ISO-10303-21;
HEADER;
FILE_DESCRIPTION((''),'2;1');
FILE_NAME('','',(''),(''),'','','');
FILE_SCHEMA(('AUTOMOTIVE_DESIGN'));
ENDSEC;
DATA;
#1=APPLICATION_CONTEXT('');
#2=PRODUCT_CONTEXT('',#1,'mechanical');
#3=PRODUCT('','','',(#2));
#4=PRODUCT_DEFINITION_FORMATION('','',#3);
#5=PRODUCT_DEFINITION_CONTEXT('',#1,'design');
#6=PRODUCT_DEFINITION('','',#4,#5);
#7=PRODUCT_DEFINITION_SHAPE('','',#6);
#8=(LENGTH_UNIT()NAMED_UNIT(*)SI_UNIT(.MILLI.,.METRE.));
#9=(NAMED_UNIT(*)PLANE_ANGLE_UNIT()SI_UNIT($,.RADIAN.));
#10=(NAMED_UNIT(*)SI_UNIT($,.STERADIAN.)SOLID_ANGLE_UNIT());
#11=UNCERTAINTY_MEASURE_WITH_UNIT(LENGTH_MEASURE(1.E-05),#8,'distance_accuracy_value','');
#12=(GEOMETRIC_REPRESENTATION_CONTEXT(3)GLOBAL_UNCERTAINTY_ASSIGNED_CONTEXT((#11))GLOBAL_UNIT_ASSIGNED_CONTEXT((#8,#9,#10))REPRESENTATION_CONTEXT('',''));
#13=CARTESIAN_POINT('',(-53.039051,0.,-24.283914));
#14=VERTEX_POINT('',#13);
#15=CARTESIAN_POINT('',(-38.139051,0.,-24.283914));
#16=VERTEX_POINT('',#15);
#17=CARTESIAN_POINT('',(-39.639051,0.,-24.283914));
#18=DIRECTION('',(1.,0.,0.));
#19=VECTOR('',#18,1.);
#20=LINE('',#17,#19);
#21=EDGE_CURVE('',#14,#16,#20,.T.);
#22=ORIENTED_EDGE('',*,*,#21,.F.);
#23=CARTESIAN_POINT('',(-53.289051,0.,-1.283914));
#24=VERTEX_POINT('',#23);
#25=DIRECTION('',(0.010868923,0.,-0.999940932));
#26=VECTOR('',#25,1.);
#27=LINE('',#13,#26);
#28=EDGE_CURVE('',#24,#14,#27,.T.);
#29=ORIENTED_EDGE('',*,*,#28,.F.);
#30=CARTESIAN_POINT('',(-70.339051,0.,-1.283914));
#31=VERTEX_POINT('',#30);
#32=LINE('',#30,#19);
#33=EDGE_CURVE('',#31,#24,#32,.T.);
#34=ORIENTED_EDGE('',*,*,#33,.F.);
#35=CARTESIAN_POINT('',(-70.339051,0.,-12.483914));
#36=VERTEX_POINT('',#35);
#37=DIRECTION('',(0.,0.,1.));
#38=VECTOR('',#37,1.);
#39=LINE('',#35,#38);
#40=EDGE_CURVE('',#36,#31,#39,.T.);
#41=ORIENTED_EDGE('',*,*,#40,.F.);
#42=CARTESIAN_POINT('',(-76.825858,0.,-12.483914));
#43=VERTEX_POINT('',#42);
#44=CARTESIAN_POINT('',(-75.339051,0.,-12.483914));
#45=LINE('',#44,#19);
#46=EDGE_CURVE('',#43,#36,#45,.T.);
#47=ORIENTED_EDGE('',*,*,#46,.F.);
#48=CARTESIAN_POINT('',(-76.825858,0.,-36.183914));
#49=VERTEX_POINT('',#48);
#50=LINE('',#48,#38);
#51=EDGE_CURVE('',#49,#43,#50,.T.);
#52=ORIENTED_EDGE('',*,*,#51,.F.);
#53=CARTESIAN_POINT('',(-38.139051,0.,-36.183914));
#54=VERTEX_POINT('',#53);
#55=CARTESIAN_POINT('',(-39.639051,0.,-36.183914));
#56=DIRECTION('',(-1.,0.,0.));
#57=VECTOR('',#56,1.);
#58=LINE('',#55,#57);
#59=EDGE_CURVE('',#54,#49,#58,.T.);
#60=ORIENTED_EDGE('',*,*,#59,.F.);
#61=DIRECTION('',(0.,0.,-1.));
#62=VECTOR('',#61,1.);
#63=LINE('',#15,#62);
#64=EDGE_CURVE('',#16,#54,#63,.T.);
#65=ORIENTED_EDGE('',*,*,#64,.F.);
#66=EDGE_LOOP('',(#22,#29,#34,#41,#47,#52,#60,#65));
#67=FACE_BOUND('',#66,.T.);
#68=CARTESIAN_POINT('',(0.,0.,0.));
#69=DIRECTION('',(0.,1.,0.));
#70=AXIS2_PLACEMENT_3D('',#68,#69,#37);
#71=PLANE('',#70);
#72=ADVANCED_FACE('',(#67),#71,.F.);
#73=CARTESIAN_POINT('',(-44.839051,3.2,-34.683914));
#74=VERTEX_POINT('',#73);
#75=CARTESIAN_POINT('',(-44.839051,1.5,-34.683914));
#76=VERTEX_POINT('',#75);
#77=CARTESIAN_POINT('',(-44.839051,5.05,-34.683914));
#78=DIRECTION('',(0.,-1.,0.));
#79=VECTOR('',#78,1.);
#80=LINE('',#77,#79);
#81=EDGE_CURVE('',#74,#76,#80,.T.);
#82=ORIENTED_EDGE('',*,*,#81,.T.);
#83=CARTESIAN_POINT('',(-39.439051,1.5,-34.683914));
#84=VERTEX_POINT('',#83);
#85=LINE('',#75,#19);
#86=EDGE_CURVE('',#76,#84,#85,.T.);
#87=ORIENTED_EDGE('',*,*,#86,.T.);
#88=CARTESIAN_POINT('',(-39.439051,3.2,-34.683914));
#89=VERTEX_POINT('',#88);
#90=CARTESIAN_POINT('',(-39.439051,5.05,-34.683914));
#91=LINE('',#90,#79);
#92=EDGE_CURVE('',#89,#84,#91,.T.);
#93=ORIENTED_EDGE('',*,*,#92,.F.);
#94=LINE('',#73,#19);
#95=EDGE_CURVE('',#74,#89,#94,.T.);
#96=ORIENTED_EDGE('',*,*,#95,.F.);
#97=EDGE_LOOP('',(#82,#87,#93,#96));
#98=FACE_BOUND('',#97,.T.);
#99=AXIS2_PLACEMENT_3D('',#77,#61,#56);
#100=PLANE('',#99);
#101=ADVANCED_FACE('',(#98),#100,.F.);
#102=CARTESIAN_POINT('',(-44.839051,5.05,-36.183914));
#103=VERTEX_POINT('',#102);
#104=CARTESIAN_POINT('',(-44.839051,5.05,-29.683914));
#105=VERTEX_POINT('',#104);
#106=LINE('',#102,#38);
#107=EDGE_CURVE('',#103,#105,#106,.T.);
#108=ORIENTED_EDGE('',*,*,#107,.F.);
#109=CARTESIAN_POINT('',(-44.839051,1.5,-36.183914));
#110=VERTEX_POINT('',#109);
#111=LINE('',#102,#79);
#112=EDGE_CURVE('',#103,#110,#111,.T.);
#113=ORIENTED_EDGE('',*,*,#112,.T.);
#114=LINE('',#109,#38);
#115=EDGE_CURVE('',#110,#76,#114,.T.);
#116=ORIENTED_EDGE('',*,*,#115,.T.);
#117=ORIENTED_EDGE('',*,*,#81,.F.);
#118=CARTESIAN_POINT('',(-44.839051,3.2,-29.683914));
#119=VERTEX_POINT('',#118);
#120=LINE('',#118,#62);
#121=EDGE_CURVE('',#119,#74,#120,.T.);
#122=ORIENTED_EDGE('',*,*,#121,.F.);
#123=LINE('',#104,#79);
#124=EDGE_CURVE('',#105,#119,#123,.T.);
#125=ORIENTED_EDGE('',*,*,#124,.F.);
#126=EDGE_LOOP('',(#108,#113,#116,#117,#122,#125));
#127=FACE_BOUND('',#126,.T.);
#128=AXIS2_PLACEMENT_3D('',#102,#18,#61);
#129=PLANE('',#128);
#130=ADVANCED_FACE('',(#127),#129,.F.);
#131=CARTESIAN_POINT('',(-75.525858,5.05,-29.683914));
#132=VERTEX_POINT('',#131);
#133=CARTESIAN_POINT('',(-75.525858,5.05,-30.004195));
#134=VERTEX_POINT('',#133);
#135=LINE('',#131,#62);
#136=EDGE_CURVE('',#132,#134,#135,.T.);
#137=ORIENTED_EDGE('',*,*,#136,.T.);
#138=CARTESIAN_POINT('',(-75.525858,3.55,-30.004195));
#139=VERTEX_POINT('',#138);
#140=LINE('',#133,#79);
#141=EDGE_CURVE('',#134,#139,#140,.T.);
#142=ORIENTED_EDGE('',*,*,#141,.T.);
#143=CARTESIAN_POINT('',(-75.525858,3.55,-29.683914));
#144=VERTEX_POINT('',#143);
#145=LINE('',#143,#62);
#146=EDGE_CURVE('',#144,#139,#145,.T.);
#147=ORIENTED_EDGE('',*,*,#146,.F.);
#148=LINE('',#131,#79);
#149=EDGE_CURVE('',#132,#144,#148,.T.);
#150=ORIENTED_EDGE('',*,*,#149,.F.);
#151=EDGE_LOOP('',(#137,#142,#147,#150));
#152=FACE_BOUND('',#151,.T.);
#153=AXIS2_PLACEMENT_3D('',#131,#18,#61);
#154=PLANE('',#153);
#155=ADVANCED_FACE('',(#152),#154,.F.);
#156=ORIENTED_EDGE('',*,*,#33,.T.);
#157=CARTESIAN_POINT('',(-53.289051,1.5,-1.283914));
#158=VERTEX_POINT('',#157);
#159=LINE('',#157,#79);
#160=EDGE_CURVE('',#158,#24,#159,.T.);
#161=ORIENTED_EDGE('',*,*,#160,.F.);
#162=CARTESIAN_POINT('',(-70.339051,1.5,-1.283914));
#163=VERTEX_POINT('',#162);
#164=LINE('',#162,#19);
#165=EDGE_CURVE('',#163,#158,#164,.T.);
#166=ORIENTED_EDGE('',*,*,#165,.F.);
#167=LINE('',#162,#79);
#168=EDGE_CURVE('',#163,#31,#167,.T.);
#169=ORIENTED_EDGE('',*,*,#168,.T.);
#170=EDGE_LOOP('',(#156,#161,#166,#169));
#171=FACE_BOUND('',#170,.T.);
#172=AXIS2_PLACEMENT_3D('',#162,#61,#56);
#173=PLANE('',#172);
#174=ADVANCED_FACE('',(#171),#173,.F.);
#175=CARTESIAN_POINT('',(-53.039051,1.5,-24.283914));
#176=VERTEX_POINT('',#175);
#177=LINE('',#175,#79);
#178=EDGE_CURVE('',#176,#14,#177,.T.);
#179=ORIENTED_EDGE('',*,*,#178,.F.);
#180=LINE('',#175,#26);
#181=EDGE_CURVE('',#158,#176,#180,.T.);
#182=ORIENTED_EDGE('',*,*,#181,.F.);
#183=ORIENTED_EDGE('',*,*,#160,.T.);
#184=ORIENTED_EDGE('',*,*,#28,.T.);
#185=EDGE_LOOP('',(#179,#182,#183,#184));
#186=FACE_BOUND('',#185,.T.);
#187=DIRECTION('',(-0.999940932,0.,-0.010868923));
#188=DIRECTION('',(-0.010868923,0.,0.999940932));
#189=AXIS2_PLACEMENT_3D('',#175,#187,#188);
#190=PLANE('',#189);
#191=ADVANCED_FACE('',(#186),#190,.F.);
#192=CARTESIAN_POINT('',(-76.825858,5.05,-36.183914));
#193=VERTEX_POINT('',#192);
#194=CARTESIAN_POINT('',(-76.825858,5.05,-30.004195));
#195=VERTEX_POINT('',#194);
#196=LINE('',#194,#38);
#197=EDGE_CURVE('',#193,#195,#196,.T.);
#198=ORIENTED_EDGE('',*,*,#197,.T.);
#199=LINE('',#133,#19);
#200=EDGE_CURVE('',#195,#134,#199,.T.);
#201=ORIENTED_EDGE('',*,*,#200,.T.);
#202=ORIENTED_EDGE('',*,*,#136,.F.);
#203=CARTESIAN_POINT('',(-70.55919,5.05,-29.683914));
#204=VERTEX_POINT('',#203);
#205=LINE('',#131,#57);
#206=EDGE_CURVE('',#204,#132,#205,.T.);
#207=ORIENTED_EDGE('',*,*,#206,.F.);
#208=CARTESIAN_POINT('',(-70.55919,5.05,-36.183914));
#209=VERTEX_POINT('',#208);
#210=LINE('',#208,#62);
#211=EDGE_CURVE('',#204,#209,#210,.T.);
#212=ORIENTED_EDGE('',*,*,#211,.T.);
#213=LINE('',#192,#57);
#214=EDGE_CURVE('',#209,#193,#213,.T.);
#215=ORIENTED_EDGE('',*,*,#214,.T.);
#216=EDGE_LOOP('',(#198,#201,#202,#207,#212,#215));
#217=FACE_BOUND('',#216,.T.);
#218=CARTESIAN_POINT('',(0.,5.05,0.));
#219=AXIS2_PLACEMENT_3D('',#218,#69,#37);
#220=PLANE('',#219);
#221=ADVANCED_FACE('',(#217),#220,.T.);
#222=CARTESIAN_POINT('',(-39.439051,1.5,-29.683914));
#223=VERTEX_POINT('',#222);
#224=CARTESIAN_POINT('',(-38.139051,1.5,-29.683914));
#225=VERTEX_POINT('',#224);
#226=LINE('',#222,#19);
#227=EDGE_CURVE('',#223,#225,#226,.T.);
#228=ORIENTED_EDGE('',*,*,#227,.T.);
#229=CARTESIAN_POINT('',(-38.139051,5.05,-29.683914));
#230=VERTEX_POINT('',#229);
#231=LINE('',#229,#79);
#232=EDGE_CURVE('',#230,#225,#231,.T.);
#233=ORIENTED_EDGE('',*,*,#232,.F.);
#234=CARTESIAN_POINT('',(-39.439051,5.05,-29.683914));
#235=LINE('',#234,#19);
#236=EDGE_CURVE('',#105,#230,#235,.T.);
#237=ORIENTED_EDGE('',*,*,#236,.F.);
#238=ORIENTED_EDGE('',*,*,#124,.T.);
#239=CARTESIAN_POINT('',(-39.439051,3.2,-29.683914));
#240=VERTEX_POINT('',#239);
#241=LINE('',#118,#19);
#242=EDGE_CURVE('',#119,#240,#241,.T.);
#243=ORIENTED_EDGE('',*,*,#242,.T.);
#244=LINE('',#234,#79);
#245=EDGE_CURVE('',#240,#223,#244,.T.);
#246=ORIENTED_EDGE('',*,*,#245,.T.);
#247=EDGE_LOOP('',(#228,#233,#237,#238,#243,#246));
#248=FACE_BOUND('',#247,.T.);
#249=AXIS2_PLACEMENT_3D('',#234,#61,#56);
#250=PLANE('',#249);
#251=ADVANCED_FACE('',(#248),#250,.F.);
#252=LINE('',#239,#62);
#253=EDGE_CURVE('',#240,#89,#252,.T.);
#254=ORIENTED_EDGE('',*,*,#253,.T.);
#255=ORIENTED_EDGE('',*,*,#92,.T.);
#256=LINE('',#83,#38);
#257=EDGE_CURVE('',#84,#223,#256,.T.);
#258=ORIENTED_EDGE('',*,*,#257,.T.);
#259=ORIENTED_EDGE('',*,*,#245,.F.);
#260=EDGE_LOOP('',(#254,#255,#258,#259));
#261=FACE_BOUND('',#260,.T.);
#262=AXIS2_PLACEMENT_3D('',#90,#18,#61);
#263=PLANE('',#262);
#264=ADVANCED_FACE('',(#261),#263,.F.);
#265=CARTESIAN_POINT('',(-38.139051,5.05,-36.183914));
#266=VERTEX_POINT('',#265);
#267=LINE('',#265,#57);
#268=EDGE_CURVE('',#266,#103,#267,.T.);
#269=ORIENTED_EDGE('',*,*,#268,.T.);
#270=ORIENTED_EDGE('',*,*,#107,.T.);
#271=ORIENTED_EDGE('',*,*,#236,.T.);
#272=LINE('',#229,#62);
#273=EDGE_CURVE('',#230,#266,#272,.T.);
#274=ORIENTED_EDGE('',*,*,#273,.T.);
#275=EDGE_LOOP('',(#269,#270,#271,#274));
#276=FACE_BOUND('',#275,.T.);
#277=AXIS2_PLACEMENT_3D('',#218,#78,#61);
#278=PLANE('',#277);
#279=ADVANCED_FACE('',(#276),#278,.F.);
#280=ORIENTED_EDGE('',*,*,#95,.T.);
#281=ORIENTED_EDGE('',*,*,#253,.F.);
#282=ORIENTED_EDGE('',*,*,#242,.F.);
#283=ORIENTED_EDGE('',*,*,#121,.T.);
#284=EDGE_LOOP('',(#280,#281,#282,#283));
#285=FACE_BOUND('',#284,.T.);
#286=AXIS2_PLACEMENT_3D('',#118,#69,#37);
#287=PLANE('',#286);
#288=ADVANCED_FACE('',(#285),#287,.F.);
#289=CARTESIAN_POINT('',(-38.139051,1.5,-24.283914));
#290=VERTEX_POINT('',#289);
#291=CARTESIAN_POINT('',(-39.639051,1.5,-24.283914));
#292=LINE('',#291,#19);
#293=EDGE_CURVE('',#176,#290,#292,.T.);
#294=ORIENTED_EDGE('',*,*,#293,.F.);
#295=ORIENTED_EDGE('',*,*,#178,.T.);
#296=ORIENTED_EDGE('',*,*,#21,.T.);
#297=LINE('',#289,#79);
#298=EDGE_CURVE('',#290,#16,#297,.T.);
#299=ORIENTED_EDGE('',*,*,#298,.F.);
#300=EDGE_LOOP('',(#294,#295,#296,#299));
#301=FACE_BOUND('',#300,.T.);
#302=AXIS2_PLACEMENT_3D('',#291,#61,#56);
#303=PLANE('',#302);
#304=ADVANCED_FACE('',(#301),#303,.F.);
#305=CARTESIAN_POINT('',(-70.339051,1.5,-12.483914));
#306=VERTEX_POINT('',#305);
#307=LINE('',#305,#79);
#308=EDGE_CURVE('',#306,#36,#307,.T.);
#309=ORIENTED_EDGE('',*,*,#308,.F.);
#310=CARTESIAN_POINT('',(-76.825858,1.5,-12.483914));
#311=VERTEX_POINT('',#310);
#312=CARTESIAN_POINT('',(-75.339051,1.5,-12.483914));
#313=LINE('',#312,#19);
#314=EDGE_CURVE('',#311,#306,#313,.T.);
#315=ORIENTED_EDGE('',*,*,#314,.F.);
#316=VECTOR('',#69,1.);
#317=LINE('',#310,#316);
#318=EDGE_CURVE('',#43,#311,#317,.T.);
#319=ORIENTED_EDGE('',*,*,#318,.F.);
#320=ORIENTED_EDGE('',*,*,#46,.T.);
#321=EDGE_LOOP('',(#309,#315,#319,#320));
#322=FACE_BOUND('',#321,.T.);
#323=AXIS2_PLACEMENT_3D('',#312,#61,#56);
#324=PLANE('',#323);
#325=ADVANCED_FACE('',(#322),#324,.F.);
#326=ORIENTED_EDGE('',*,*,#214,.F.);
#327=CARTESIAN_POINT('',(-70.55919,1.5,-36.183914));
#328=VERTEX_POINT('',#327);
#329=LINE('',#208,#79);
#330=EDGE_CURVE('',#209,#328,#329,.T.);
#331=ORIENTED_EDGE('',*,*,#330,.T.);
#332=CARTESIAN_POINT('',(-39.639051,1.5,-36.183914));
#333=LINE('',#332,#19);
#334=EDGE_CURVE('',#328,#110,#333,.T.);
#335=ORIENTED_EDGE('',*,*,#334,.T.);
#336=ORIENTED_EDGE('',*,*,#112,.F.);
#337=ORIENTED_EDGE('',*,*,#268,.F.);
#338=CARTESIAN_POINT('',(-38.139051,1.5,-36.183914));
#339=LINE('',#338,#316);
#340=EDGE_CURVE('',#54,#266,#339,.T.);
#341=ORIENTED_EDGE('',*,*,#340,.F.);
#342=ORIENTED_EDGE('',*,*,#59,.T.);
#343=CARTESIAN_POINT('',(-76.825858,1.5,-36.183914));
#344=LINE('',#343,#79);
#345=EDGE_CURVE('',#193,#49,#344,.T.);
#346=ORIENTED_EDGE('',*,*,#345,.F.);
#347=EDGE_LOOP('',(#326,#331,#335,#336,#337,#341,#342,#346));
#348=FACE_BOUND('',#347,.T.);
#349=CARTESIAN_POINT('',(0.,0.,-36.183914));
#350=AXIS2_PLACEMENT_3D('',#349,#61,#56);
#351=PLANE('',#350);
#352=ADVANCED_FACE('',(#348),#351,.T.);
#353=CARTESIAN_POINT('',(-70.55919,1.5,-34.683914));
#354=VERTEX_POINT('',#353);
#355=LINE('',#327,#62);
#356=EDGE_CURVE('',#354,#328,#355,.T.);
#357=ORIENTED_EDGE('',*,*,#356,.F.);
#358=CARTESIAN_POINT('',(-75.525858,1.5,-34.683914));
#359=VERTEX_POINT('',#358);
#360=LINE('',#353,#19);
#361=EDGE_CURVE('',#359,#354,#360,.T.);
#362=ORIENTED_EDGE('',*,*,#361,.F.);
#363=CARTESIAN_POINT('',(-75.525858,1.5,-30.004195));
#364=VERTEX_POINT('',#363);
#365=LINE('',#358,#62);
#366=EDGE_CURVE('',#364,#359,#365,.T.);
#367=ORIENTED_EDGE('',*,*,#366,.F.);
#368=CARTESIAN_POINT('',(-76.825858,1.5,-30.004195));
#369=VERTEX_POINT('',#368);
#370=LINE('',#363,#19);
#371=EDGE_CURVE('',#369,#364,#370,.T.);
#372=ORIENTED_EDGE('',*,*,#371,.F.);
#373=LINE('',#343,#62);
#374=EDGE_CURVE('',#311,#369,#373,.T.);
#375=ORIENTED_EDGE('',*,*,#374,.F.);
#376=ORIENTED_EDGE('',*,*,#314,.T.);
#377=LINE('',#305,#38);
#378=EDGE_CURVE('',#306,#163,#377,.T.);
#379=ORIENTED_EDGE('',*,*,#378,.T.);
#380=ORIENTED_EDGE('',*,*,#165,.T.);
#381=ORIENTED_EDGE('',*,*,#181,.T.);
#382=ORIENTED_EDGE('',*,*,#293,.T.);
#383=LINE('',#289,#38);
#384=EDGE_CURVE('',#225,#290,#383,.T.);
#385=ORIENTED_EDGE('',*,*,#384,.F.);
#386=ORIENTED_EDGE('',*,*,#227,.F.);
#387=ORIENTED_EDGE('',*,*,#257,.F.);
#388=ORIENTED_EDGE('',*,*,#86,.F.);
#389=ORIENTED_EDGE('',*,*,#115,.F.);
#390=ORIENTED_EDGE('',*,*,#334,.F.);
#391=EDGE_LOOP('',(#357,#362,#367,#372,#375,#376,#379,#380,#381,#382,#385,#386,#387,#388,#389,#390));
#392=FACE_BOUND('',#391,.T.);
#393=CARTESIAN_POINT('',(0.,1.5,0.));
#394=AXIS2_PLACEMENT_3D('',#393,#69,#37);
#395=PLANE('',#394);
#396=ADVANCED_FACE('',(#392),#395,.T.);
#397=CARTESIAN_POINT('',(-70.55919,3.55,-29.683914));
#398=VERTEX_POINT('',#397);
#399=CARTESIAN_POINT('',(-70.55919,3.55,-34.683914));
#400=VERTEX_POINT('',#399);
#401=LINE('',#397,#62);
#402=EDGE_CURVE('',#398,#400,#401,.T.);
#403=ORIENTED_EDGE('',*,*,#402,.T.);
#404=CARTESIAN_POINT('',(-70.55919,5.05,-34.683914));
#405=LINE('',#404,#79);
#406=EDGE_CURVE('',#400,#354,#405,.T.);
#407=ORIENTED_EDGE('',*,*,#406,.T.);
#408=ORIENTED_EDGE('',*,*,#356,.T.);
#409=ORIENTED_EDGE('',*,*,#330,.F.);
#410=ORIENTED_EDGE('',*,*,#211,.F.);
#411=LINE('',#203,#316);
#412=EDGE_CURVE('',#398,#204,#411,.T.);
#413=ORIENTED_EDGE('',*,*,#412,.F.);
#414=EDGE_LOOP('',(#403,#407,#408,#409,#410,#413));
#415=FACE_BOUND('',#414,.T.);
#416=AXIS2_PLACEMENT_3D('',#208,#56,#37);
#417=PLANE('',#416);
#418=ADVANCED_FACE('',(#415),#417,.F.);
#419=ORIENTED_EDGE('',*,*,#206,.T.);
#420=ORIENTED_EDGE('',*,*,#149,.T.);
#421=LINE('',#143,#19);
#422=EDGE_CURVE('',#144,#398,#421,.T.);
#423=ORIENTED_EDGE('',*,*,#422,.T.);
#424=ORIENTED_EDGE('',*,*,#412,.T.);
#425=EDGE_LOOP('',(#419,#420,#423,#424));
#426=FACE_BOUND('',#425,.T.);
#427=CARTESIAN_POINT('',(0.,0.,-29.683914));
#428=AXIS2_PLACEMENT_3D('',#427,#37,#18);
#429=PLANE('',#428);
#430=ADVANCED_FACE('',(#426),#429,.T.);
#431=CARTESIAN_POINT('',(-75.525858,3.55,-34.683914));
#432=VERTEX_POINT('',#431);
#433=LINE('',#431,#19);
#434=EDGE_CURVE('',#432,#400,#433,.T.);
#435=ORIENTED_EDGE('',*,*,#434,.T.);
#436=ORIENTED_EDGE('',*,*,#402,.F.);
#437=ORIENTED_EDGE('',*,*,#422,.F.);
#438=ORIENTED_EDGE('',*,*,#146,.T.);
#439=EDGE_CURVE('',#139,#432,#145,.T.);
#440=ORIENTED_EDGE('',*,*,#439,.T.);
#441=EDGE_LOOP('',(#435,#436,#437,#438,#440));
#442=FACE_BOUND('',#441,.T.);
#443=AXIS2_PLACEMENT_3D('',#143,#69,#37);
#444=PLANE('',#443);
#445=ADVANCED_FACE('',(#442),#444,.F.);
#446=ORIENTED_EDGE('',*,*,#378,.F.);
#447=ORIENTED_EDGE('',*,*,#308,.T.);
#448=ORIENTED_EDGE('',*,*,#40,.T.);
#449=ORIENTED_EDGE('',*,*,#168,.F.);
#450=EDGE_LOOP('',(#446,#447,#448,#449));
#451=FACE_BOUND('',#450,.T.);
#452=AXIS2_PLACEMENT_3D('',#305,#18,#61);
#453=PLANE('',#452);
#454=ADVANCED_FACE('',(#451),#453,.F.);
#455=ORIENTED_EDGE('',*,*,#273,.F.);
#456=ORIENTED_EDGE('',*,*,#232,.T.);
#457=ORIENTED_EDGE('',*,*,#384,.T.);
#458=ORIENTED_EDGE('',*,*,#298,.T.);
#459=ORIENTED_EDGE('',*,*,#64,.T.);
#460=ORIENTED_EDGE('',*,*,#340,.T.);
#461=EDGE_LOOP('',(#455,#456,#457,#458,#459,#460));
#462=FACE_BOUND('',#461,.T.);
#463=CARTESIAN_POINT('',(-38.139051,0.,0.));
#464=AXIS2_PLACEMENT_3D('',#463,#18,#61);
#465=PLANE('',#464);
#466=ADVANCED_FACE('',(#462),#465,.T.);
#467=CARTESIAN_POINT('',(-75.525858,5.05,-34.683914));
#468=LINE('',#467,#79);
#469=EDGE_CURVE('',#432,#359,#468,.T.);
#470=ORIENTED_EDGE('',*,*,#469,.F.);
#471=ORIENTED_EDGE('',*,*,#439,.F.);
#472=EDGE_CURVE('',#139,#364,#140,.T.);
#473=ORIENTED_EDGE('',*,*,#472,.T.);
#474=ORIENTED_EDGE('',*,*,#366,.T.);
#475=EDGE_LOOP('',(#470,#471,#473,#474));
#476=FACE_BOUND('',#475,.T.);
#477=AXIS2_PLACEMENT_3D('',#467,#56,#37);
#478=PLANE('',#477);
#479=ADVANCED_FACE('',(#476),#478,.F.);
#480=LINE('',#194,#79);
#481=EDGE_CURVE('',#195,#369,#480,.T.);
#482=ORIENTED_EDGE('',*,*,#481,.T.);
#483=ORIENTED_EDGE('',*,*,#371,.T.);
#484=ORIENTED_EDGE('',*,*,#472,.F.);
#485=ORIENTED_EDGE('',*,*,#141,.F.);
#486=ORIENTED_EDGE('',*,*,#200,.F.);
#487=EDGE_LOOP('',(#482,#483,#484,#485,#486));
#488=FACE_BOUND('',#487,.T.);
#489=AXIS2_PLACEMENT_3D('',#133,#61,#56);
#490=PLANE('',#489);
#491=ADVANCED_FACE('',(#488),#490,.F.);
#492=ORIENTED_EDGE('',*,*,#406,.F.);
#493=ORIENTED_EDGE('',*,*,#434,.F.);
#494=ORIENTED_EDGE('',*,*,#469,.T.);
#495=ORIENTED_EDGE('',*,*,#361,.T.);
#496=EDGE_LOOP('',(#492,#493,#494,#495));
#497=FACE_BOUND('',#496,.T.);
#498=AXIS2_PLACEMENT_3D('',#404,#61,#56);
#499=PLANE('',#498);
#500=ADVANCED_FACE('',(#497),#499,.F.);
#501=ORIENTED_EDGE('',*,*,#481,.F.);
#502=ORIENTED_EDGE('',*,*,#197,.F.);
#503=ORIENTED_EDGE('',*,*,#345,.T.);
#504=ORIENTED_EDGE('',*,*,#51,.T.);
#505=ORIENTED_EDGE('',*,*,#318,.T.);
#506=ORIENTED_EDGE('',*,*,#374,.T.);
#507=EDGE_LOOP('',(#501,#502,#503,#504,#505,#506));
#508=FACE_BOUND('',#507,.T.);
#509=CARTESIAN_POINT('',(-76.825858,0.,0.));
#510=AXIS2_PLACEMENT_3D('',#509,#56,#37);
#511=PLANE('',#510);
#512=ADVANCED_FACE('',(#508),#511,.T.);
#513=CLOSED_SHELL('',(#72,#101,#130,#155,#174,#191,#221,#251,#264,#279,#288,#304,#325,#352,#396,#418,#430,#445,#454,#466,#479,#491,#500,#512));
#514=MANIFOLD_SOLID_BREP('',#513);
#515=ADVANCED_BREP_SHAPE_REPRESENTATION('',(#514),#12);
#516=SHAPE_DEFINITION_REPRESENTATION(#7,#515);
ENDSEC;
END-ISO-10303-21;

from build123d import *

# Parameters (mm, degrees)
BOSS_EXTRUDE1_DEPTH = 1.5
SKETCH2_W           = 35.686807758
SKETCH2_H           = 1.5
BOSS_EXTRUDE2_DEPTH = 1.5
SKETCH3_W           = 11.9
SKETCH3_H           = 1.5
BOSS_EXTRUDE3_DEPTH = 1.5
SKETCH4_W           = 23.7
SKETCH4_H           = 1.5
BOSS_EXTRUDE4_DEPTH = 1.5
BOSS_EXTRUDE5_DEPTH = 3.55
SKETCH6_W           = 4.966668371
SKETCH6_H           = 1.5
SKETCH6_W_2         = 5.4
SKETCH6_H_2         = 1.85
BOSS_EXTRUDE6_DEPTH = 5


with BuildPart() as part:
    # Sketch1 → Boss-Extrude1 (new body)
    with BuildSketch(Plane(origin=(0, 0, 0), x_dir=(1, 0, 0), z_dir=(0, 1, 0))):
        Polygon((-75.339050621, 34.683913692), (-39.639050621, 34.683913692), (-39.639050621, 24.283913692), (-53.039050621, 24.283913692), (-53.289050621, 1.283913692), (-70.339050621, 1.283913692), (-70.339050621, 12.483913692), (-75.339050621, 12.483913692), (-75.339050621, 24.283913692), align=None)
    extrude(amount=BOSS_EXTRUDE1_DEPTH)

    # Sketch2 → Boss-Extrude2 (add)
    with BuildSketch(Plane(origin=(0, 0, -34.683913692), x_dir=(-1, 0, 0), z_dir=(0, 0, -1))):
        with Locations((57.4824545, 0.75)):
            Rectangle(SKETCH2_W, SKETCH2_H)
    extrude(amount=BOSS_EXTRUDE2_DEPTH)

    # Sketch3 → Boss-Extrude3 (add)
    with BuildSketch(Plane(origin=(-39.639050621, 0, 0), x_dir=(0, 0, -1), z_dir=(1, 0, 0))):
        with Locations((30.233913692, 0.75)):
            Rectangle(SKETCH3_W, SKETCH3_H)
    extrude(amount=BOSS_EXTRUDE3_DEPTH)

    # Sketch4 → Boss-Extrude4 (add)
    with BuildSketch(Plane.ZY.offset(75.325858379)):
        with Locations((-24.333913692, 0.75)):
            Rectangle(SKETCH4_W, SKETCH4_H)
    extrude(amount=BOSS_EXTRUDE4_DEPTH)

    # Sketch5 → Boss-Extrude5 (add)
    with BuildSketch(Plane(origin=(0, 1.5, 0), x_dir=(1, 0, 0), z_dir=(0, 1, 0))):
        Polygon((-75.525858379, 34.683913692), (-75.525858379, 30.004194868), (-76.825858379, 30.004194868), (-76.825858379, 36.183913692), (-70.559190008, 36.183913692), (-70.559190008, 34.683913692), align=None)
        Polygon((-39.439050621, 34.683913692), (-39.439050621, 29.683913692), (-38.139050621, 29.683913692), (-38.139050621, 36.183913692), (-44.839050621, 36.183913692), (-44.839050621, 34.683913692), align=None)
    extrude(amount=BOSS_EXTRUDE5_DEPTH)

    # Sketch6 → Boss-Extrude6 (add)
    with BuildSketch(Plane.XY.offset(-34.683913692)):
        with Locations((-73.042524194, 4.3)):
            Rectangle(SKETCH6_W, SKETCH6_H)
        with Locations((-42.139050621, 4.125)):
            Rectangle(SKETCH6_W_2, SKETCH6_H_2)
    extrude(amount=BOSS_EXTRUDE6_DEPTH)


solid = part.part
